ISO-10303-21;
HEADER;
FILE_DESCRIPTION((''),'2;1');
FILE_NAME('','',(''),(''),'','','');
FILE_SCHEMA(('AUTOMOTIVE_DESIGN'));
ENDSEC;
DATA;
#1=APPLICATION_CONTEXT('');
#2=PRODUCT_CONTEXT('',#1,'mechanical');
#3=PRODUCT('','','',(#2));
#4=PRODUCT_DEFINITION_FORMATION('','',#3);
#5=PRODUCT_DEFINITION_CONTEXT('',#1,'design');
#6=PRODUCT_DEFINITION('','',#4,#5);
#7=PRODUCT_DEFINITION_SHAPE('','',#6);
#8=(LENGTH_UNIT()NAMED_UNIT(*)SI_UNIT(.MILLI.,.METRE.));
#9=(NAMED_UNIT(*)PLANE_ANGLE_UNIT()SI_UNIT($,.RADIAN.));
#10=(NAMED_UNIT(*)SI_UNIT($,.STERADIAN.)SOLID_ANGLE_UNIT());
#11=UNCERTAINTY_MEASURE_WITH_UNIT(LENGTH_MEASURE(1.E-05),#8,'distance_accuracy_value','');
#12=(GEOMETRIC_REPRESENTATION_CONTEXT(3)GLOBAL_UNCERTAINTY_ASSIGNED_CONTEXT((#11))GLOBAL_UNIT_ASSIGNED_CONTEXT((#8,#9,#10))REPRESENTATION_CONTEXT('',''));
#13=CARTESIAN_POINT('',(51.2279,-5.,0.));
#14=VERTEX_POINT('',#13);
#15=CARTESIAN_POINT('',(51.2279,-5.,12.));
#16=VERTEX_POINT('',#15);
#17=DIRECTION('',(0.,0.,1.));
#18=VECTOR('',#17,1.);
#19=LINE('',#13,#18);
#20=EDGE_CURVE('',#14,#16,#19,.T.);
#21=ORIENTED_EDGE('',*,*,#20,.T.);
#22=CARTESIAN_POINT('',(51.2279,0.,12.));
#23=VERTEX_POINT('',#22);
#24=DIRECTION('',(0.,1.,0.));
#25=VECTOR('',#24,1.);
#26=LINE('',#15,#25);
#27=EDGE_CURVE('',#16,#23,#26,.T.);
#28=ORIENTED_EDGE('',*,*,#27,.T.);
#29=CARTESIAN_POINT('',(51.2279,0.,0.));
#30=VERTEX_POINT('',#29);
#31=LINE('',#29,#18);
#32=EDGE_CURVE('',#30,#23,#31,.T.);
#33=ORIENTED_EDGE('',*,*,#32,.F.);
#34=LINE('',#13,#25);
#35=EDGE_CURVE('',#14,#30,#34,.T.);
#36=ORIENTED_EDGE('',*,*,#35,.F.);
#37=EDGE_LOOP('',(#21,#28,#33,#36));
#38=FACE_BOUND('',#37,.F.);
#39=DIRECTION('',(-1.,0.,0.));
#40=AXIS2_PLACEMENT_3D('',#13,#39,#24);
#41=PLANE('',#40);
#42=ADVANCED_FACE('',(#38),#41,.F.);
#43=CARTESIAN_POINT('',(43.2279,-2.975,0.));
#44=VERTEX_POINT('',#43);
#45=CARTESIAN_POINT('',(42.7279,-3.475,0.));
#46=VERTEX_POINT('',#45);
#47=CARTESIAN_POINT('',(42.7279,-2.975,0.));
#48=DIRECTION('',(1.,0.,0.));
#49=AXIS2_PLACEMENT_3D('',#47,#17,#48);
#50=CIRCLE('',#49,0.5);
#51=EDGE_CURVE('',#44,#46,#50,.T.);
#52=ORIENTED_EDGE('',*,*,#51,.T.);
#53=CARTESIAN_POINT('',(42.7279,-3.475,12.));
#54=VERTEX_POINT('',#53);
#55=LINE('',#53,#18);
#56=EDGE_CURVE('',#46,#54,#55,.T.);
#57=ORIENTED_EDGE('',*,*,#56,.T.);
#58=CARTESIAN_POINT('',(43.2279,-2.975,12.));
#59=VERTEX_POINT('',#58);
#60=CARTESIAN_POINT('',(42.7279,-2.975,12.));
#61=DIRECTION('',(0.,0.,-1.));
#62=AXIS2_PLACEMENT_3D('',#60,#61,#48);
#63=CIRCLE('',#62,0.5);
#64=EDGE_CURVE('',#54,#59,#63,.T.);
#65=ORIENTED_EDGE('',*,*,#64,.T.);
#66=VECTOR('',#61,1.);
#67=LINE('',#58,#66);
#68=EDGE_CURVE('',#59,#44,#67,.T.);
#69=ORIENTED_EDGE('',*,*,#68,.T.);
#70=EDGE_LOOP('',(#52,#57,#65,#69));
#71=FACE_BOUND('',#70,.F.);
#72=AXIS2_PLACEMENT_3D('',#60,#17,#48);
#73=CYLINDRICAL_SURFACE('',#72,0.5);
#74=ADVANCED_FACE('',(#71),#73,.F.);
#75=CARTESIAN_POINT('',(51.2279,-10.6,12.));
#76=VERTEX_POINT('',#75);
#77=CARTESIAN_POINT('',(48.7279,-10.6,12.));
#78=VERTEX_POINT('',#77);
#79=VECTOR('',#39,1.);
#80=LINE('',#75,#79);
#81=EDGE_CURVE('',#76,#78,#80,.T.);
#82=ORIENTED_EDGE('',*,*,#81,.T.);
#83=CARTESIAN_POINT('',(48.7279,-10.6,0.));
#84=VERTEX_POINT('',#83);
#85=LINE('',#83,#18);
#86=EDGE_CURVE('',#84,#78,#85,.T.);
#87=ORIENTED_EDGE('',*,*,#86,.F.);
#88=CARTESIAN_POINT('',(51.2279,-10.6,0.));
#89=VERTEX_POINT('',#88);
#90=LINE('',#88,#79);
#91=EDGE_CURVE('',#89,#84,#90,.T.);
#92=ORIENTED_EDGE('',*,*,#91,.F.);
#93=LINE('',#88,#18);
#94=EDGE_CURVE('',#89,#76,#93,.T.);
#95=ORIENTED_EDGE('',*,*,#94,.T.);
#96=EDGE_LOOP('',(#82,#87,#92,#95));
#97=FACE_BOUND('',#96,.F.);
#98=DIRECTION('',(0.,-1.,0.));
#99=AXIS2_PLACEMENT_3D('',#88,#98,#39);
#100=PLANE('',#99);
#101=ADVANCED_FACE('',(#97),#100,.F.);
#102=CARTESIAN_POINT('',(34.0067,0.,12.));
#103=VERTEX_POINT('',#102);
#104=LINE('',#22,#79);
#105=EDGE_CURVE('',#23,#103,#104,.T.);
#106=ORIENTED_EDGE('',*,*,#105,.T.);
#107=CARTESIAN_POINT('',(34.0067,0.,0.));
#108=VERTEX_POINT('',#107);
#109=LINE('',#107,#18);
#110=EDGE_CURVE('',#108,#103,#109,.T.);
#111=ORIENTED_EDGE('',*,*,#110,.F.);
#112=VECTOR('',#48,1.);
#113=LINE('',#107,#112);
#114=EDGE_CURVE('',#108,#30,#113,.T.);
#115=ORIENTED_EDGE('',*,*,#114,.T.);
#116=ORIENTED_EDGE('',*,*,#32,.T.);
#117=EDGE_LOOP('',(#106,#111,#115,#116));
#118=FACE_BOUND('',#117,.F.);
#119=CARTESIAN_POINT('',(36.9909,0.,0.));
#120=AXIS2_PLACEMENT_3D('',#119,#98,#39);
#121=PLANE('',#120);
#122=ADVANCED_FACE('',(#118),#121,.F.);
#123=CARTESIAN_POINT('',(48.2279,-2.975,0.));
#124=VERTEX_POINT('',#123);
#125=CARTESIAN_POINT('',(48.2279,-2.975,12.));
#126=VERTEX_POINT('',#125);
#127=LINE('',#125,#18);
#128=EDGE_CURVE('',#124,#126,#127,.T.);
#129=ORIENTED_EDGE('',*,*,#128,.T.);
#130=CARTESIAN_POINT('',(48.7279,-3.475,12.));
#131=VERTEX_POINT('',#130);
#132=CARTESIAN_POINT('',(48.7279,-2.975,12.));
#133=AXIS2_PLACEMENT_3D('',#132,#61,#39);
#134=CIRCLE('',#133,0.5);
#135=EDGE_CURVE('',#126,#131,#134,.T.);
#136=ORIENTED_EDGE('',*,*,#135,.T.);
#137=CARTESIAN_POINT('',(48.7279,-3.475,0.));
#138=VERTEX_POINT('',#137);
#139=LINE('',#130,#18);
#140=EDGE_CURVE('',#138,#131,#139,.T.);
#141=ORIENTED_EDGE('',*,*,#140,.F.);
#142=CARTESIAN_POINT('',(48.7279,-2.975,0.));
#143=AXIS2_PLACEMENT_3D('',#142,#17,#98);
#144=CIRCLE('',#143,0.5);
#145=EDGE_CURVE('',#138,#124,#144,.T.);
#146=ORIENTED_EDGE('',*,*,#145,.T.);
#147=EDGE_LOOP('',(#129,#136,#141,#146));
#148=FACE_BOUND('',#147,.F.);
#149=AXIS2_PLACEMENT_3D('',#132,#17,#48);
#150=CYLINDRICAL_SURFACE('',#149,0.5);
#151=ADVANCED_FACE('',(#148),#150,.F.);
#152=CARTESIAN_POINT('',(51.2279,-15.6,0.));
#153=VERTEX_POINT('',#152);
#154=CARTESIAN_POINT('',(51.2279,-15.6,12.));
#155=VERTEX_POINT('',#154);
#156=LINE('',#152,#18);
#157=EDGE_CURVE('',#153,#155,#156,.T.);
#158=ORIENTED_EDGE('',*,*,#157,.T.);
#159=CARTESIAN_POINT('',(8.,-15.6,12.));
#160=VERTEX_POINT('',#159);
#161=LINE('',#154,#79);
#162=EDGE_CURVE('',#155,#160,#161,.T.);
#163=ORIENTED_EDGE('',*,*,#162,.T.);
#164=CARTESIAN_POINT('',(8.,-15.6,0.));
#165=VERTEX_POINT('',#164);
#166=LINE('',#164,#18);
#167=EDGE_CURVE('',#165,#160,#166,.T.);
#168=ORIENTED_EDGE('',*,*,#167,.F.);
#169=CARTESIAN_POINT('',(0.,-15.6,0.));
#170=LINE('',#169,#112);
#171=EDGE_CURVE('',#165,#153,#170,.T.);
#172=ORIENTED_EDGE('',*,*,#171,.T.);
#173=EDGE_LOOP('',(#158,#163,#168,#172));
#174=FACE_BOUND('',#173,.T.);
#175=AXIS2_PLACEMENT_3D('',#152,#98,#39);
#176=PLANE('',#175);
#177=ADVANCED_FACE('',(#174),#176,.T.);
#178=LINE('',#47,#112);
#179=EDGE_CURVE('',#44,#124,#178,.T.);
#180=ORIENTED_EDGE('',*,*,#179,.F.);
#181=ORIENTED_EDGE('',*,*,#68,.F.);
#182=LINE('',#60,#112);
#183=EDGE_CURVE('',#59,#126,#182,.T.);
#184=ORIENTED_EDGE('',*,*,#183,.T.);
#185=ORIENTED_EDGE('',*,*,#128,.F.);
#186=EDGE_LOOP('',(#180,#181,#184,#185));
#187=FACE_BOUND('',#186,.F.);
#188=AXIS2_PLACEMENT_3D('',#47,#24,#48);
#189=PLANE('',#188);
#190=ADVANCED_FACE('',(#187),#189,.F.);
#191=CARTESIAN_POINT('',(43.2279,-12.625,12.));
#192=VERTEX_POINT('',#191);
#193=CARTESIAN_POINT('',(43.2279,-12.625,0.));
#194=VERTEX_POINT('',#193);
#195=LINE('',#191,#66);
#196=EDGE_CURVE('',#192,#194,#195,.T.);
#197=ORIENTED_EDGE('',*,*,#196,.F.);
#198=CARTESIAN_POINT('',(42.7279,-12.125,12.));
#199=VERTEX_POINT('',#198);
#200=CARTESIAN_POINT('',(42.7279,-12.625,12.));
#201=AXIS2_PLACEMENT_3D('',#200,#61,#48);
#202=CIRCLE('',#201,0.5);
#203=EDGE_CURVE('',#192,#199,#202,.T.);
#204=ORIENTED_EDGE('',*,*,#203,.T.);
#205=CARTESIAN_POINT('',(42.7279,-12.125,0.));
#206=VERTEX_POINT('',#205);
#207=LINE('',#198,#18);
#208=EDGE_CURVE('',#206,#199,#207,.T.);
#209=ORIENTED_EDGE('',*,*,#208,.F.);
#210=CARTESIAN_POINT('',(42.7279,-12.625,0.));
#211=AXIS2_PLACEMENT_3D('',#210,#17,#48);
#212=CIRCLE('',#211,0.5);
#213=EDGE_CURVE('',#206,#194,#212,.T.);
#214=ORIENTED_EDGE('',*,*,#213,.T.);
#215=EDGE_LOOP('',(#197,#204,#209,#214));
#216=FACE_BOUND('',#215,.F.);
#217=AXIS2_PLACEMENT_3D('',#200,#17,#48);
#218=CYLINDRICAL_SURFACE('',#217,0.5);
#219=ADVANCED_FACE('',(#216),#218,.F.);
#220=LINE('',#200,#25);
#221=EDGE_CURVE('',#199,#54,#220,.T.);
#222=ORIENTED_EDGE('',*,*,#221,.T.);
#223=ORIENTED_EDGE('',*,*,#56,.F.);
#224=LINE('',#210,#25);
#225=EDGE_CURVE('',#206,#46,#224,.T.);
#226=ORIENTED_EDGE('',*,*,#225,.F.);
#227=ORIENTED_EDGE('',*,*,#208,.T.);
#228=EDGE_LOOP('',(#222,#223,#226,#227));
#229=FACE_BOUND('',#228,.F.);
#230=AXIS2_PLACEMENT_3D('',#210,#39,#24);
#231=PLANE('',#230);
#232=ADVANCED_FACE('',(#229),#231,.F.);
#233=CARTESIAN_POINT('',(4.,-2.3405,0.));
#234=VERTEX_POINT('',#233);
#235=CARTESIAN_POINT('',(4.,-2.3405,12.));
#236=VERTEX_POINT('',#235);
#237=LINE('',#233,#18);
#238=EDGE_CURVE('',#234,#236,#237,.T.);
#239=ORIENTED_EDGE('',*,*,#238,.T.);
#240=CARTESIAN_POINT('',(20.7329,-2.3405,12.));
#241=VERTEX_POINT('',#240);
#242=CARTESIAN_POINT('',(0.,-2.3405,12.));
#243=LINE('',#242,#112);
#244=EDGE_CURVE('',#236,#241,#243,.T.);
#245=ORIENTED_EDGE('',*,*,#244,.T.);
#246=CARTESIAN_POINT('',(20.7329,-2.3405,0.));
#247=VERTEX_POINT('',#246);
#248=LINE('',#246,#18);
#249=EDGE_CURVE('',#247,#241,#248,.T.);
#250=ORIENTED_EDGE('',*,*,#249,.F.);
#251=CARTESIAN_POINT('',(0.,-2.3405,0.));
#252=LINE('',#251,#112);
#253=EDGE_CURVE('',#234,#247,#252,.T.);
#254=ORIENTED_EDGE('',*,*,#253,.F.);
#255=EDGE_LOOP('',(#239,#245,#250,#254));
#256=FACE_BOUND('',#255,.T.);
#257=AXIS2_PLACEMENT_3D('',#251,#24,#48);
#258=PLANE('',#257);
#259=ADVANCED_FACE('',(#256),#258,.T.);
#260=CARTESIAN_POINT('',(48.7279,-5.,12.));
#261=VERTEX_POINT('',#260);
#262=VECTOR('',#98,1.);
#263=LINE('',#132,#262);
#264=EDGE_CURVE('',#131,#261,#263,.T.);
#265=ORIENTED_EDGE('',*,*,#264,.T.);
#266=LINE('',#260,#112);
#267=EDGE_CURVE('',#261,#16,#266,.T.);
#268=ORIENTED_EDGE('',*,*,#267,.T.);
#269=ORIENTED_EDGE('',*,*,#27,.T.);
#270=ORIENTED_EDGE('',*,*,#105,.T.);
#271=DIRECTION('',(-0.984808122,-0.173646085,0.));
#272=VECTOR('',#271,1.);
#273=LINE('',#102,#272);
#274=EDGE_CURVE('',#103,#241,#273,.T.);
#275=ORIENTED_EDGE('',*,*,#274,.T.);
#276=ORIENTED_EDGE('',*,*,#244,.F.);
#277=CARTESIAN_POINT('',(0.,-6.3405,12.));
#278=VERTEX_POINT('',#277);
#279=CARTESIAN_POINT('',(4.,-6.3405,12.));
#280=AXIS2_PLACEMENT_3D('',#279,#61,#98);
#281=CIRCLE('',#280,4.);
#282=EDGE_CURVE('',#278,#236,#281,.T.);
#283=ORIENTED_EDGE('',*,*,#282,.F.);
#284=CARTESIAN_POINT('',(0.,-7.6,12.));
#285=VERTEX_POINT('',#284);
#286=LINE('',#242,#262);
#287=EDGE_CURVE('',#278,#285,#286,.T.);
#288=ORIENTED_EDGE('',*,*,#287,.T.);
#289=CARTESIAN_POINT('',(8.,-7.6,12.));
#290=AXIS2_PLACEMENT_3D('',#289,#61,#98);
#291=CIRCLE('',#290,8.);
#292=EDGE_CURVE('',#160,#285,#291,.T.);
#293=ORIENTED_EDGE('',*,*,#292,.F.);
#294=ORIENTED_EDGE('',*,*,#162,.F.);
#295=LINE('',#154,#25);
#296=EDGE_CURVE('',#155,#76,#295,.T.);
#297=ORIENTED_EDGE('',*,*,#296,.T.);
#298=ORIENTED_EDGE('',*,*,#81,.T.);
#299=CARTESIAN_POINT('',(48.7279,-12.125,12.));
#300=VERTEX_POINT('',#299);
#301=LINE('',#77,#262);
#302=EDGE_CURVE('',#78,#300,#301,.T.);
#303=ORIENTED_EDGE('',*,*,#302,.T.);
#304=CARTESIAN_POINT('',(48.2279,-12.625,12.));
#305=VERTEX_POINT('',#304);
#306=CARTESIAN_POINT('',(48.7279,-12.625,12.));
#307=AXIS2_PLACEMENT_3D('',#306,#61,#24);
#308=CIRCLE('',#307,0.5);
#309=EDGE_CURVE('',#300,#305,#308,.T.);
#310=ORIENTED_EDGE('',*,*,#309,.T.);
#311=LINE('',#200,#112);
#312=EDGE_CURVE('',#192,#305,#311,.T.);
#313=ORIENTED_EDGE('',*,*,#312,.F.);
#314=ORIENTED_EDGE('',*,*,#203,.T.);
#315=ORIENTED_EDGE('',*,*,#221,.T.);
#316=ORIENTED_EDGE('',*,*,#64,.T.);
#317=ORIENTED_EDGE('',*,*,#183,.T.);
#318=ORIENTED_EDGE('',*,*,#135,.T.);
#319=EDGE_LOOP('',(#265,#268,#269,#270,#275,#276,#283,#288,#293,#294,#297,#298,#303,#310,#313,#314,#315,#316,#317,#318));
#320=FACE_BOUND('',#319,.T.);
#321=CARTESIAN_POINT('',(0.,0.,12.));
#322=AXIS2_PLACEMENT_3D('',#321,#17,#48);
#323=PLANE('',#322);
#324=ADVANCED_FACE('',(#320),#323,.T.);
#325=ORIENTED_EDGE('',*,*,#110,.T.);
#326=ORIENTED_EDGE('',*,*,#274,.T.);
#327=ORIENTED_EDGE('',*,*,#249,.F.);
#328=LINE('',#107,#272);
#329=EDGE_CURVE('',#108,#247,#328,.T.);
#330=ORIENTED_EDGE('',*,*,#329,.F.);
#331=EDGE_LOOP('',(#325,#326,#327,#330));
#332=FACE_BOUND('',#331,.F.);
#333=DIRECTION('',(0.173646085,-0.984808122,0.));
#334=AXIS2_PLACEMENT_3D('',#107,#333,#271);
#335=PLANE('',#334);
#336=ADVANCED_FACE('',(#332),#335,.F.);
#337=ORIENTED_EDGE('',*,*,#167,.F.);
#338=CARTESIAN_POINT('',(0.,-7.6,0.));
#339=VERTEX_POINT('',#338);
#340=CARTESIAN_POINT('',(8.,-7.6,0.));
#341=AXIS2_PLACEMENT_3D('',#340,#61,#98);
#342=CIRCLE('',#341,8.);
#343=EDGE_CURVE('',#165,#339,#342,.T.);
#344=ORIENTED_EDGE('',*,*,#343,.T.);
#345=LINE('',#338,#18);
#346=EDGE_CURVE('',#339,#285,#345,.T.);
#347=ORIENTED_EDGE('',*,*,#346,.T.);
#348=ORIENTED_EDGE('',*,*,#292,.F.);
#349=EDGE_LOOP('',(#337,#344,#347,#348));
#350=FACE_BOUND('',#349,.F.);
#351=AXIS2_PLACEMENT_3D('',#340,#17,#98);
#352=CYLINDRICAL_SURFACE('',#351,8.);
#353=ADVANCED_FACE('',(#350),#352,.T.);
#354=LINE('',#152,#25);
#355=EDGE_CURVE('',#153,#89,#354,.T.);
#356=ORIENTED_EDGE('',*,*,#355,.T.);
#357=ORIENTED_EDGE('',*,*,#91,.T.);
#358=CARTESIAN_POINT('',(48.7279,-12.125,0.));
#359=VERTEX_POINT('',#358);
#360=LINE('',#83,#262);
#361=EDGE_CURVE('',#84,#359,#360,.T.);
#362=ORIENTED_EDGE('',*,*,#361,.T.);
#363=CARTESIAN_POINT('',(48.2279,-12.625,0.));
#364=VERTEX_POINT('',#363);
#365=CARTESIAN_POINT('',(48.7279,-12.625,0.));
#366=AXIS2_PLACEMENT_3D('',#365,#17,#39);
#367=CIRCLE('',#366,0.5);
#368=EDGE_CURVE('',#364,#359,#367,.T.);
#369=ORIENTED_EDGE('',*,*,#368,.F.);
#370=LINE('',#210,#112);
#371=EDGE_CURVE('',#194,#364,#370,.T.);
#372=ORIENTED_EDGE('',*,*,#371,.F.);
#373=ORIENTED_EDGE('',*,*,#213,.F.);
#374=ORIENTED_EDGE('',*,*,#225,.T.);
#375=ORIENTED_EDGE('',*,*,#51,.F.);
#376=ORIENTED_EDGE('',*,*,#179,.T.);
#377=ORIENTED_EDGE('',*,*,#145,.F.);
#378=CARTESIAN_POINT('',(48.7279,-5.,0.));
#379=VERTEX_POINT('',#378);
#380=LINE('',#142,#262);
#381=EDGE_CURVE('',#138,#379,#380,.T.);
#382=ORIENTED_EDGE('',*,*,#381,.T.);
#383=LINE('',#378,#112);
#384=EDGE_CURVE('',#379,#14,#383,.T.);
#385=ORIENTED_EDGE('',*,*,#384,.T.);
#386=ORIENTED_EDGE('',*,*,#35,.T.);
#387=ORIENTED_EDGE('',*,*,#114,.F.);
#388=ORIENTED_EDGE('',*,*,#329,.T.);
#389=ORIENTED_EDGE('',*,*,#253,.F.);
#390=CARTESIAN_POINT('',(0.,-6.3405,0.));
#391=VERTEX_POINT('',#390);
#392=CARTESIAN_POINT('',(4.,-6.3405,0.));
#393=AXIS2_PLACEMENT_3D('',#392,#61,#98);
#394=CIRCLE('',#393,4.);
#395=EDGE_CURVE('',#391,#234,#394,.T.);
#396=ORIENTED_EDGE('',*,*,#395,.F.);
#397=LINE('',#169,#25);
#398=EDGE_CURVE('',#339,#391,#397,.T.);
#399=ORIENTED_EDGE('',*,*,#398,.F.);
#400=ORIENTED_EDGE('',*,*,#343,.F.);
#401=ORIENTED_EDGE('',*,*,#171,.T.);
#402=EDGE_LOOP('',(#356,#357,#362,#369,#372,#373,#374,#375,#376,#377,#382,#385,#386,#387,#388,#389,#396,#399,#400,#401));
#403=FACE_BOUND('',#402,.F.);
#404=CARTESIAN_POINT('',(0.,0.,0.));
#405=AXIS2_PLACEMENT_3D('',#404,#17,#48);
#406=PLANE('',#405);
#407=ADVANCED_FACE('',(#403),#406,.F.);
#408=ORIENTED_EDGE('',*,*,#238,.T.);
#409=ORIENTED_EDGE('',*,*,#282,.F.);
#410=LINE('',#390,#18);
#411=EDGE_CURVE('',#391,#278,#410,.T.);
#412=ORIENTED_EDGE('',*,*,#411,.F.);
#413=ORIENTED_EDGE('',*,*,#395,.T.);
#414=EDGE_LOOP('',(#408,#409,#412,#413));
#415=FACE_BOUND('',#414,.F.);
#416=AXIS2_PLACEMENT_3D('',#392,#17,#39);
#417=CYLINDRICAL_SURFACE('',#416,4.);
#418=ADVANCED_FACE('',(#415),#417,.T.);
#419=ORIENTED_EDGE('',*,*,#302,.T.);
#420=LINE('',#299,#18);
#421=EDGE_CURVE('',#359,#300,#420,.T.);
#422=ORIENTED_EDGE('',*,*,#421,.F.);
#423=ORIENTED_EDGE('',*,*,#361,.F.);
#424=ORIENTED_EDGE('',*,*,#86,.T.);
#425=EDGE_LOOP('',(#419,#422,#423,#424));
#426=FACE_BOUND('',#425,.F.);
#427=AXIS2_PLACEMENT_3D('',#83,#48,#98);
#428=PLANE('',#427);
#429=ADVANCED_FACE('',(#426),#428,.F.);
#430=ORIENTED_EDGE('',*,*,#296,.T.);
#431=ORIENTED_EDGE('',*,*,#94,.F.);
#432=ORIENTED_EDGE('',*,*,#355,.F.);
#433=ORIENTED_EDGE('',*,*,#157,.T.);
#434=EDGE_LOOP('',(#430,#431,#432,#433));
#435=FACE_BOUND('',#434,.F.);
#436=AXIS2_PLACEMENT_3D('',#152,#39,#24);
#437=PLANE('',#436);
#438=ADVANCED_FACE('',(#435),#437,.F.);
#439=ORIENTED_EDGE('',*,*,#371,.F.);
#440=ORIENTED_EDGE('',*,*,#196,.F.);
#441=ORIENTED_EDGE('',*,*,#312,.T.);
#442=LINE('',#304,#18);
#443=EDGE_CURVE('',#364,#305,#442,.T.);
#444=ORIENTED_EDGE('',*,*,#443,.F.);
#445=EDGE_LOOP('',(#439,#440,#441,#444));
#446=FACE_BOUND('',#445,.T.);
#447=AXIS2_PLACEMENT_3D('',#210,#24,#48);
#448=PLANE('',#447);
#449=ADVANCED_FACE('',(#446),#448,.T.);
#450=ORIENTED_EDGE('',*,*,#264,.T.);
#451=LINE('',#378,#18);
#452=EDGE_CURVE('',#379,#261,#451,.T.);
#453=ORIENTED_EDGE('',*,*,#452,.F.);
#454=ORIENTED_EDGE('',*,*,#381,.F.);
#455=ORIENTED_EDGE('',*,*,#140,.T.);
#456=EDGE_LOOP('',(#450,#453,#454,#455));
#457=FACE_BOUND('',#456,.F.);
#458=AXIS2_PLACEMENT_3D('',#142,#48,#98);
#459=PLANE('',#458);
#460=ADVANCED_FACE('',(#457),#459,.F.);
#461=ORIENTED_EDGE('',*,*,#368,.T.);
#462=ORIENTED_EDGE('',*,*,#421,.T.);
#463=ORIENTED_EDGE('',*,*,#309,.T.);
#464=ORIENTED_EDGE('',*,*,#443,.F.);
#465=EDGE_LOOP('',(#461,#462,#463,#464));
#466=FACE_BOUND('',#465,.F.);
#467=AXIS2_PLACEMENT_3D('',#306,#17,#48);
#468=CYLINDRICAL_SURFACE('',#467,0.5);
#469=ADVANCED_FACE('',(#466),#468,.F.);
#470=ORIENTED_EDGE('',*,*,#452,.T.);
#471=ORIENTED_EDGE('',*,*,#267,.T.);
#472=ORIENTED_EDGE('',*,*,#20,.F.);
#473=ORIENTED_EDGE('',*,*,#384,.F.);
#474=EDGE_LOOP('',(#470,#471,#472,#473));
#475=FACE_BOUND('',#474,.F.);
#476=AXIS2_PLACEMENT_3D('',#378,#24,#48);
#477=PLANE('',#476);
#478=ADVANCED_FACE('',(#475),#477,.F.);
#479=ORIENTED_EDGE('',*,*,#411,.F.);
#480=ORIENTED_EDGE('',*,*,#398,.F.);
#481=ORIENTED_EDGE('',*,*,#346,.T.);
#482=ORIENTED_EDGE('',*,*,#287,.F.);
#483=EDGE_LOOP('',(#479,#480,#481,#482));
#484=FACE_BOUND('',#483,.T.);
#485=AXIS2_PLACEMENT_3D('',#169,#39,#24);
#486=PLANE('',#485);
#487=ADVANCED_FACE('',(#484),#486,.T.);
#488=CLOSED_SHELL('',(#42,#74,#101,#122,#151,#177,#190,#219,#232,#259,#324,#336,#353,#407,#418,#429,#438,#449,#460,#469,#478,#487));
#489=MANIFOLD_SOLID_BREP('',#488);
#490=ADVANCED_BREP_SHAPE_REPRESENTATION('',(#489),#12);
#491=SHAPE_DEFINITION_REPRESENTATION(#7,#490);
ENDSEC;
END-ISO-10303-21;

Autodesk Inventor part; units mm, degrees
ref_plane "YZ Plane" through (0, 0, 0) normal (1, 0, 0) x (0, 1, 0)
ref_plane "XZ Plane" through (0, 0, 0) normal (0, 1, 0) x (-1, 0, 0)
ref_plane "XY Plane" through (0, 0, 0) normal (0, 0, 1) x (1, 0, 0)
sketch "Sketch5" plane through (0, 0, 0) normal (0, 0, 1) x (1, 0, 0)
  line L0 (51.2279, -15.6) -> (51.2279, -10.6)
  line L1 (51.2279, -10.6) -> (48.7279, -10.6)
  line L2 (48.7279, -10.6) -> (48.7279, -12.625)
  line L3 (42.7279, -12.625) -> (42.7279, -2.975)
  line L4 (48.7279, -2.975) -> (48.7279, -5)
  line L5 (48.7279, -5) -> (51.2279, -5)
  line L6 (51.2279, -5) -> (51.2279, 0)
  line L7 (42.7279, -2.975) -> (48.7279, -2.975)
  line L8 (42.7279, -12.625) -> (48.7279, -12.625)
  line L9 (51.2279, -15.6) -> (43.6357, -15.6)
  line L10 (39.8786, -15.6) -> (43.6357, -15.6)
  line L11 (0, -15.6) -> (39.8786, -15.6)
  line L12 (36.9909, 0) -> (51.2279, 0)
  line L13 (0, -15.6) -> (0, -5.4692)
  line L14 (36.9909, 0) -> (31.0226, 0)
  line L15 (34.0067, 0) -> (20.7329, -2.3405)
  line L16 (0, -5.4692) -> (0, -2.3405)
  line L17 (0, -2.3405) -> (20.7329, -2.3405)
  point P0 (0, 0)
  point P1 (44.1094, 0)
  dimension "d41" = 6
  dimension "d50" = 2.5
  dimension "d87" = 5.6
  dimension "d88" = 9.65
  dimension "d122" = 14.237
  dimension "d123" = 2.975
  dimension "d132" = 10
extrude "Extrusion2" add sketch "Sketch5" along normal blind 12
sketch "Sketch11" plane through (0, 0, 12) normal (0, 0, 1) x (1, 0, 0)
  line L0 (42.7279, -2.975) -> (48.7279, -2.975) projected
  circle A0 centre (42.7279, -2.975) radius 0.5
  line L1 (42.7279, -12.625) -> (42.7279, -2.975) projected
  circle A1 centre (42.7279, -12.625) radius 0.5
  line L2 (48.7279, -12.625) -> (42.7279, -12.625) projected
  circle A2 centre (48.7279, -12.625) radius 0.5
  line L3 (48.7279, -2.975) -> (48.7279, -5) projected
  circle A3 centre (48.7279, -2.975) radius 0.5
  point P0 (0, 0)
  dimension "d99" = 1
  dimension "d100" = 1
  dimension "d101" = 1
  dimension "d102" = 1
extrude "Extrusion7" cut sketch "Sketch11" against normal through all
fillet "Rundung4" radius 8 1 edges at (0, -15.6, 6)
sketch "Skizze13" plane through (0, 0, 0) normal (-1, 0, 0) x (0, 0, 1)
  point P0 (0, 0)
fillet "Rundung7" radius 4 1 edges at (0, -2.3405, 6)
equation "\"l1\" = 8"
properties part number "Maria_Greifer_Dreieck2_3D-Druck"
